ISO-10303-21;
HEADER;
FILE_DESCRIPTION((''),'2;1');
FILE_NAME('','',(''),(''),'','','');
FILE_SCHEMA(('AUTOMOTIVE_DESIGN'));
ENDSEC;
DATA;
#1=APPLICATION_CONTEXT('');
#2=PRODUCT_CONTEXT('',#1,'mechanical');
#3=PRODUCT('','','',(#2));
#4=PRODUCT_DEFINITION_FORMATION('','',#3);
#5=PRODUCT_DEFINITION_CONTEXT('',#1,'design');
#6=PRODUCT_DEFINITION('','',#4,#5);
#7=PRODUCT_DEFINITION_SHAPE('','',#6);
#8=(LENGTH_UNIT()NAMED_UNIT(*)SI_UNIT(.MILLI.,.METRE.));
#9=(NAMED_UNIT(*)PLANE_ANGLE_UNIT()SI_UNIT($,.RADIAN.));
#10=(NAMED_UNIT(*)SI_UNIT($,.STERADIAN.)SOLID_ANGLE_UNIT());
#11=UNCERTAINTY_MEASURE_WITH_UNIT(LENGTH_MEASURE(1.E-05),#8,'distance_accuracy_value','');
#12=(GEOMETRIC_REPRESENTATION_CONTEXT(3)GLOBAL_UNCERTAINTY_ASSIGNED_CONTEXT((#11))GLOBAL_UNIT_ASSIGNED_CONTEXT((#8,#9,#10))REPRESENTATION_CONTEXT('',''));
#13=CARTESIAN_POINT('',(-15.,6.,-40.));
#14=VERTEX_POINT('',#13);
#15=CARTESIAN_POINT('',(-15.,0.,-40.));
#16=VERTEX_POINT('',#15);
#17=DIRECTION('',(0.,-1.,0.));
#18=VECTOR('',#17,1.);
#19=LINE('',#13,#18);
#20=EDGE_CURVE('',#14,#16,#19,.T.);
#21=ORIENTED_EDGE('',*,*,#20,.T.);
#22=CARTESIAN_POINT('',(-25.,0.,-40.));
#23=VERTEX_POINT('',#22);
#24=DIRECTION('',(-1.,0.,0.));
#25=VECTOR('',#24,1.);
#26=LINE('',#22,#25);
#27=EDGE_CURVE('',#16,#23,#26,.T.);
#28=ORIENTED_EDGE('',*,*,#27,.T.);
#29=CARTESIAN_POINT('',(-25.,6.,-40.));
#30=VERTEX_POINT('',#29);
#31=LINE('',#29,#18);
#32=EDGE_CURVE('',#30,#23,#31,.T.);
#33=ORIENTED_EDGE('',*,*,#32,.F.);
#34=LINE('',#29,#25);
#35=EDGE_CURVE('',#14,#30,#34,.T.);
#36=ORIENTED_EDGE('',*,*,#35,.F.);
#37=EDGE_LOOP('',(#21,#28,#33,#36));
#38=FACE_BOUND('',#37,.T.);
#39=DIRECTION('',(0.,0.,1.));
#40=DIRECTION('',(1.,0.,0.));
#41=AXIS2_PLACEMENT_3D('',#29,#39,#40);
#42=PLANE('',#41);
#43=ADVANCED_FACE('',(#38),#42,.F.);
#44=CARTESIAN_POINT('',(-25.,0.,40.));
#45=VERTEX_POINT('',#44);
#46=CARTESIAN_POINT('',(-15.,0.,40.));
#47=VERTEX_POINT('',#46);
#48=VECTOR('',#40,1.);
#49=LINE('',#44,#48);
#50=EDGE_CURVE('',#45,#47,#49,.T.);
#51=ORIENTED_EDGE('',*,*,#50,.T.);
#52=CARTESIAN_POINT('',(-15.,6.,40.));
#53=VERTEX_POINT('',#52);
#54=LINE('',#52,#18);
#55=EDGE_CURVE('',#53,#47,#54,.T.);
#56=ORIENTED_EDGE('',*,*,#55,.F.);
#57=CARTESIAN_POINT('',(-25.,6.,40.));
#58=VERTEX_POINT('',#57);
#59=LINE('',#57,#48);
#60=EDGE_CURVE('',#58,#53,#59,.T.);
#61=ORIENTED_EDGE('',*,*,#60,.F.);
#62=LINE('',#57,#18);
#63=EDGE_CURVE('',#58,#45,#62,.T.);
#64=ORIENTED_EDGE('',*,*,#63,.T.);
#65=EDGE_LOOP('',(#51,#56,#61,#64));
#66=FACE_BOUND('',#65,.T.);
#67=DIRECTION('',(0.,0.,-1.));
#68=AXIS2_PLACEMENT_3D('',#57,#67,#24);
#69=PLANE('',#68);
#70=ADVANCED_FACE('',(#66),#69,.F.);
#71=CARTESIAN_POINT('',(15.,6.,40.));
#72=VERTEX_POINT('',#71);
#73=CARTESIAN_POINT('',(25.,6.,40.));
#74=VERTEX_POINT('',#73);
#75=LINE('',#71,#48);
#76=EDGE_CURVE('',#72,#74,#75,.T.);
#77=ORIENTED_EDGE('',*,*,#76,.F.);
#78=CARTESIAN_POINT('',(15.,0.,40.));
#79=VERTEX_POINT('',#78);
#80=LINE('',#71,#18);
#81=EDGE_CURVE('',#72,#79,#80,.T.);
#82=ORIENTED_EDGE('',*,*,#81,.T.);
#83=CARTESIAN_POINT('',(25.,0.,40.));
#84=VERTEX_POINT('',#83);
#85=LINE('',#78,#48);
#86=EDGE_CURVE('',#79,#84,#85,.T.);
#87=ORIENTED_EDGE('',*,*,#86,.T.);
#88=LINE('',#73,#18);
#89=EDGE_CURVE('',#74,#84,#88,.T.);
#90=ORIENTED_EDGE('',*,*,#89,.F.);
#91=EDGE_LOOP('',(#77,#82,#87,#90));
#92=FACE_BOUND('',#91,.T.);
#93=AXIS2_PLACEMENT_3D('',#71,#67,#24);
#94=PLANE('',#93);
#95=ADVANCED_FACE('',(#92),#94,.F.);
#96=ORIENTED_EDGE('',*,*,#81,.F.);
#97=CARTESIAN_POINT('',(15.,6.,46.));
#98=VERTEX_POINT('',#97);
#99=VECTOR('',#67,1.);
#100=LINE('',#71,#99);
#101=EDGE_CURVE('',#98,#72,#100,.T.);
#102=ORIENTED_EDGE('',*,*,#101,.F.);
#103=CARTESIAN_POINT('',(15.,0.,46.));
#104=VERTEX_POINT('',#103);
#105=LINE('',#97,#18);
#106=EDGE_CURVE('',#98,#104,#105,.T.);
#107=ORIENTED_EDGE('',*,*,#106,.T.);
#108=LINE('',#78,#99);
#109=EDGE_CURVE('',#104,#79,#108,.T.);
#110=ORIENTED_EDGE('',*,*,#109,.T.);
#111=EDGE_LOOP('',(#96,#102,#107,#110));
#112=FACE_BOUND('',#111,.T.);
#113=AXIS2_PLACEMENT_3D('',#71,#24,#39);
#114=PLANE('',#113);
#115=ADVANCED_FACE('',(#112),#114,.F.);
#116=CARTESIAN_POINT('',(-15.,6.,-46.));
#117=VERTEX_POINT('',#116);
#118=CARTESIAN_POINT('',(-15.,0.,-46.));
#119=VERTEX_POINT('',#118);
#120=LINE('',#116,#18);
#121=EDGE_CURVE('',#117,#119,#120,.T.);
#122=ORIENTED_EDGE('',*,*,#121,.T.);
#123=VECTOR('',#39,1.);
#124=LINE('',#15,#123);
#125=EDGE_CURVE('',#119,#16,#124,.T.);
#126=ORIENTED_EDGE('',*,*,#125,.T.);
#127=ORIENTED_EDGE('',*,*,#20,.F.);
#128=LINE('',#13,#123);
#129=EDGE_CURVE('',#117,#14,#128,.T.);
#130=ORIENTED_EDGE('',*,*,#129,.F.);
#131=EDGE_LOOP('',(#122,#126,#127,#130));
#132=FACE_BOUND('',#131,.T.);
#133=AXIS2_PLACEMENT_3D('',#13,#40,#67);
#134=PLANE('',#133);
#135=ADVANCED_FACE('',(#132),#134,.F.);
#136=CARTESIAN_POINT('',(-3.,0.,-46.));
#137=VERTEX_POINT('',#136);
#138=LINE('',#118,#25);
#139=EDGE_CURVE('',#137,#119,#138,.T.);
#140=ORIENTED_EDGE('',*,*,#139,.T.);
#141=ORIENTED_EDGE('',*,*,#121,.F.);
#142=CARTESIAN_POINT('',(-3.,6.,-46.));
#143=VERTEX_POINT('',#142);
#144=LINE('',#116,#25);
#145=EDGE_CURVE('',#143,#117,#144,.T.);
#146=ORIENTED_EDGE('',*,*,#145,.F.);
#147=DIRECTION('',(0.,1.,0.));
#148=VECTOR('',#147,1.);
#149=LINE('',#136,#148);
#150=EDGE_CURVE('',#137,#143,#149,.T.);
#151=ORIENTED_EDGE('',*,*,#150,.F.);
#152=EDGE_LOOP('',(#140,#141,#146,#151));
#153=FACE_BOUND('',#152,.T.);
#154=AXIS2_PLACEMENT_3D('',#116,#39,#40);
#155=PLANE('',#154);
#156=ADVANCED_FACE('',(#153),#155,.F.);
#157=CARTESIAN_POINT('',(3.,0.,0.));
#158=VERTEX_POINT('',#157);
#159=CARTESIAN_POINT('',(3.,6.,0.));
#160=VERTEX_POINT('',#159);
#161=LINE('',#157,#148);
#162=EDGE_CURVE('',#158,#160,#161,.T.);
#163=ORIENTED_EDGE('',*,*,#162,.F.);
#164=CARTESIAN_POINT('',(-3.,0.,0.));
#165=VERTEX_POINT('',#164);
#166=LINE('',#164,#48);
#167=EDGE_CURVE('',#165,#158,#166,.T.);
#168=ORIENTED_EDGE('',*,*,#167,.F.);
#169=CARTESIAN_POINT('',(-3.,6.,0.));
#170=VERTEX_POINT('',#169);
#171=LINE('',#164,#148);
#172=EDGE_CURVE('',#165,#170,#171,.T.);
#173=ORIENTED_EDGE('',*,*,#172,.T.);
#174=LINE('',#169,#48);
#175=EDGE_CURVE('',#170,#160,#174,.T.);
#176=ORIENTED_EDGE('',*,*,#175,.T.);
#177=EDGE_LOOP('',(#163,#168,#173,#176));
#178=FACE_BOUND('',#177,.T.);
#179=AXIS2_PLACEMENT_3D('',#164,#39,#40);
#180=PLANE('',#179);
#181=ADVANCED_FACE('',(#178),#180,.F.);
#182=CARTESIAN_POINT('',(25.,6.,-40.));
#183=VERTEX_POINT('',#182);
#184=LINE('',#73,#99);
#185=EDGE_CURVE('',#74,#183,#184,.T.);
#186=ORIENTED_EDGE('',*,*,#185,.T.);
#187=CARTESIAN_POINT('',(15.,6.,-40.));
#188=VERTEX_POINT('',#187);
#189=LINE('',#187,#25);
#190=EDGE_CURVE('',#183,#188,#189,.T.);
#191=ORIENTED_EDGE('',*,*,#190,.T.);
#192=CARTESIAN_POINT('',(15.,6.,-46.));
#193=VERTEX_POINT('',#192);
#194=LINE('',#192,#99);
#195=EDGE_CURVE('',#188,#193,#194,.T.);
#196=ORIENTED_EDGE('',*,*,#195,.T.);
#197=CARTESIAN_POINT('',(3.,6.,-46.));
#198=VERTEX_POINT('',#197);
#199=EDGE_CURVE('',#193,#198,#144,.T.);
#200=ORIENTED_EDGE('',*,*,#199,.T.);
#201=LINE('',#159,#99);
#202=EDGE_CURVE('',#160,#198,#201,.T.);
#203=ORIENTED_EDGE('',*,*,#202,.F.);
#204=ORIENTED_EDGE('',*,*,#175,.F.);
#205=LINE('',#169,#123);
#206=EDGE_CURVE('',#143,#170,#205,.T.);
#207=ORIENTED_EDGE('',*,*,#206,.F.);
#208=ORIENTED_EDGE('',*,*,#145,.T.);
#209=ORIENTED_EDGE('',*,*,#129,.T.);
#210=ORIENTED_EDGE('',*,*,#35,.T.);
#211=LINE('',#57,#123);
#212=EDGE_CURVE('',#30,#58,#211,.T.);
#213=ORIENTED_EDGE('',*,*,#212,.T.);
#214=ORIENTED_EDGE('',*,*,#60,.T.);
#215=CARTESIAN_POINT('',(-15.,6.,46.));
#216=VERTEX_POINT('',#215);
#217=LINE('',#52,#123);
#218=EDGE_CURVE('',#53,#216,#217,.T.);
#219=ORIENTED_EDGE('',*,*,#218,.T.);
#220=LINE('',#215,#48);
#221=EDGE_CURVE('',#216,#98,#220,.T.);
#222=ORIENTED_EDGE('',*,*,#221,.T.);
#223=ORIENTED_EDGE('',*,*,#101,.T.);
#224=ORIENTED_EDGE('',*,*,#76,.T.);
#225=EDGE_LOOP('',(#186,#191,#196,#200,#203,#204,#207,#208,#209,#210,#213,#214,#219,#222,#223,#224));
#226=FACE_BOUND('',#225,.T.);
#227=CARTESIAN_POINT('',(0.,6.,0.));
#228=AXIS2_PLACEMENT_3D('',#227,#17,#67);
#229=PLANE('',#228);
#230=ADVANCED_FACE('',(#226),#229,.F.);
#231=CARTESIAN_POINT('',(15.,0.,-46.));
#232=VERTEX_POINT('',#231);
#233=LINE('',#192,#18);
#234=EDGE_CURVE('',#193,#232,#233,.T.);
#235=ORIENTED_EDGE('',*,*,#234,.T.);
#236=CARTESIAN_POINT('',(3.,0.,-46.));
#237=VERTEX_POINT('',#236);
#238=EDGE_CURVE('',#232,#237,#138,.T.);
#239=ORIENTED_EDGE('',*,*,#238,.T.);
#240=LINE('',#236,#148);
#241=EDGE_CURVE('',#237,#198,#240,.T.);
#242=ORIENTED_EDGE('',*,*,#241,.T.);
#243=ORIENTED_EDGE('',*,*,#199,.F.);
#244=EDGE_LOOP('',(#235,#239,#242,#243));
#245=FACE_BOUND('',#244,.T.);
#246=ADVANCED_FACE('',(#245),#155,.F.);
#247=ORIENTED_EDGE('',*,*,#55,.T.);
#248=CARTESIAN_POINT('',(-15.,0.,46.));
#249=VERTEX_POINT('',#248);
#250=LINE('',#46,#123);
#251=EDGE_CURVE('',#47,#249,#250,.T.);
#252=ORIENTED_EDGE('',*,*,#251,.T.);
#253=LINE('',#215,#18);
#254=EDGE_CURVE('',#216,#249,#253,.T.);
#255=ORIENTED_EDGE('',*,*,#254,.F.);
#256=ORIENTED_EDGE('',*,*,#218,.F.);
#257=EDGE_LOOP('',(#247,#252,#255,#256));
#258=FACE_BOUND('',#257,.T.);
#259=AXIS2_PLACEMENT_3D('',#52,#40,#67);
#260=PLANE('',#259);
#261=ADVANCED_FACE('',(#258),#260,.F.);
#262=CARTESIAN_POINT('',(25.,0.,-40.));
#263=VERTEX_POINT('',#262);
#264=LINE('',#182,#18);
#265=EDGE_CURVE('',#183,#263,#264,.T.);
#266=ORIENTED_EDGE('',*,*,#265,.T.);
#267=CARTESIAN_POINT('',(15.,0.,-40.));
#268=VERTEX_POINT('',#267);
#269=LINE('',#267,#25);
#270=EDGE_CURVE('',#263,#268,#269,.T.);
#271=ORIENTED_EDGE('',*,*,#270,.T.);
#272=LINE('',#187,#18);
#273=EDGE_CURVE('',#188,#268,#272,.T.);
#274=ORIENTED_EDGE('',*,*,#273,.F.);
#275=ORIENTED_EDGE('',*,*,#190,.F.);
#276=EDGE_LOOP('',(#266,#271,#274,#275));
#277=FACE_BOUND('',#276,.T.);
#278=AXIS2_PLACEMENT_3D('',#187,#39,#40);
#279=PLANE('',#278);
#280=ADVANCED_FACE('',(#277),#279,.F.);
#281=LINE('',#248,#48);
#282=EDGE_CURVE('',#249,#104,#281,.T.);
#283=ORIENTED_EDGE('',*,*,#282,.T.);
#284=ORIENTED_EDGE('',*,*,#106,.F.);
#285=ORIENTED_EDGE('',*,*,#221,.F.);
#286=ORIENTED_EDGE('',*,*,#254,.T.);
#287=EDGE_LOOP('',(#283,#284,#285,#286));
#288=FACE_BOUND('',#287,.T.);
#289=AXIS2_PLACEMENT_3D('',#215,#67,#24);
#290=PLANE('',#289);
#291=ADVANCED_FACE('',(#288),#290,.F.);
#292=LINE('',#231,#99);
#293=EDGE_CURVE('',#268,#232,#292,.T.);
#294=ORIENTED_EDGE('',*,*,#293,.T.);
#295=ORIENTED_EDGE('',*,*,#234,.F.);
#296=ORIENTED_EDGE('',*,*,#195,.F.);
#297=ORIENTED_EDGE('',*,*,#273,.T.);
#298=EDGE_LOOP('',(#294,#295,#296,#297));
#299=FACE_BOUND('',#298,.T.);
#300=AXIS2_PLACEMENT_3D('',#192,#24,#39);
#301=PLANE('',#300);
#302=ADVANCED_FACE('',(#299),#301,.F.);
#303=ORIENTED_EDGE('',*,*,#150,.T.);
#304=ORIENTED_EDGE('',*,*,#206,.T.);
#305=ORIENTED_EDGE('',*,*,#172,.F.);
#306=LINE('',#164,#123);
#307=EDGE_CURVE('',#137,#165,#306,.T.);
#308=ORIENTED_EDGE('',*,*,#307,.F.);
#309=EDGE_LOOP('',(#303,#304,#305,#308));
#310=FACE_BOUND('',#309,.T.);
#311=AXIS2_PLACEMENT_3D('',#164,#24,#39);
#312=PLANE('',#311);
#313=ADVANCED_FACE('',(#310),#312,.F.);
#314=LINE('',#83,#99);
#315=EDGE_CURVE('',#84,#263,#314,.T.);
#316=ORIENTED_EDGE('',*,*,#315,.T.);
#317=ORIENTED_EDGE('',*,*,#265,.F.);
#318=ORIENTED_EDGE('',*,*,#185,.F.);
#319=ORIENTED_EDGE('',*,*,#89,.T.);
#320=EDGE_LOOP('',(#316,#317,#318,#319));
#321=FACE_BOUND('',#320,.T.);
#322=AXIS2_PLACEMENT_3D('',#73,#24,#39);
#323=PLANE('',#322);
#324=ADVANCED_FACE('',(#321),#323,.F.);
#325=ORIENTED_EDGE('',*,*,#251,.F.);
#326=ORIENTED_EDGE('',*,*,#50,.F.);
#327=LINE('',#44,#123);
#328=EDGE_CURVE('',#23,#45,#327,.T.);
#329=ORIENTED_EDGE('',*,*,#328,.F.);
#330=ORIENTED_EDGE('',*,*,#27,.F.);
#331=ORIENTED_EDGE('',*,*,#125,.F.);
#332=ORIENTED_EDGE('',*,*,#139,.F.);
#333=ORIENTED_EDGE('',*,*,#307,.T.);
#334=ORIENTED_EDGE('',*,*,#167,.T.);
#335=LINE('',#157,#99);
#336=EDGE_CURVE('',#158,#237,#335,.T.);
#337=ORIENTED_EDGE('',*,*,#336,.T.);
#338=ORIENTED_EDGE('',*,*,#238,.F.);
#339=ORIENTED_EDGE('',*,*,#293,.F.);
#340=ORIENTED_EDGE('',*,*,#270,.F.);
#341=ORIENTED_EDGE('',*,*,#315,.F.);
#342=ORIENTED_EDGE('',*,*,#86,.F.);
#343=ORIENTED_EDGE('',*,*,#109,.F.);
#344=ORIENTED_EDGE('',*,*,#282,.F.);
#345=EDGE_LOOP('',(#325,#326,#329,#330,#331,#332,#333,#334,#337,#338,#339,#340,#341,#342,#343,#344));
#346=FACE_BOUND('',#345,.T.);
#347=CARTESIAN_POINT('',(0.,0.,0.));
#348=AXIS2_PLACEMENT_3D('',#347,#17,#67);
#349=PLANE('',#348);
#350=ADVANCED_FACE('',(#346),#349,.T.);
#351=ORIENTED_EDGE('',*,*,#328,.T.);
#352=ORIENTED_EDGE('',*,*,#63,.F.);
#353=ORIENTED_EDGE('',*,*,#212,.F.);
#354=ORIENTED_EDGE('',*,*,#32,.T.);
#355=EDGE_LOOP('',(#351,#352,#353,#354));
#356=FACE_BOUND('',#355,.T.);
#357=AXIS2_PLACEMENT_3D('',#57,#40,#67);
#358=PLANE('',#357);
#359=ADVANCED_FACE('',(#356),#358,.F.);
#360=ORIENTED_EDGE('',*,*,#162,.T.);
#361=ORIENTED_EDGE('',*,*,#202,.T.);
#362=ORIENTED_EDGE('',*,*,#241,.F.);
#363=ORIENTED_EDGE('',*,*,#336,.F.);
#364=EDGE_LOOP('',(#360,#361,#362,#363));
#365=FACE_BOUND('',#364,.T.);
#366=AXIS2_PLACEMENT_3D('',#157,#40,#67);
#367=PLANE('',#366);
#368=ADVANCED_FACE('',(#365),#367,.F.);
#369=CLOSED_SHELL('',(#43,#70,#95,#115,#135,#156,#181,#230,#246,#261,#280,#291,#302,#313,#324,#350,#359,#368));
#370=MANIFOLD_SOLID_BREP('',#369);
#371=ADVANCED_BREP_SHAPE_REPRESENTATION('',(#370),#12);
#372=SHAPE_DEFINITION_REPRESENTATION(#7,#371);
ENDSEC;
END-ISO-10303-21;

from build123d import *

# Parameters (mm, degrees)
BOSS_EXTRUDE1_DEPTH = 6
SKETCH2_W           = 6
SKETCH2_H           = 46
CUT_EXTRUDE1_DEPTH  = 7


with BuildPart() as part:
    # Sketch1 → Boss-Extrude1 (new body)
    with BuildSketch(Plane(origin=(0, 0, 0), x_dir=(1, 0, 0), z_dir=(0, 1, 0))):
        Polygon((-25, 40), (-15, 40), (-15, 46), (15, 46), (15, 40), (25, 40), (25, -40), (15, -40), (15, -46), (-15, -46), (-15, -40), (-25, -40), align=None)
    extrude(amount=BOSS_EXTRUDE1_DEPTH)

    # Sketch2 → Cut-Extrude1 (cut, through all)
    with BuildSketch(Plane(origin=(0, 6, 0), x_dir=(1, 0, 0), z_dir=(0, 1, 0))):
        with Locations((0, 23)):
            Rectangle(SKETCH2_W, SKETCH2_H)
    extrude(amount=-CUT_EXTRUDE1_DEPTH, mode=Mode.SUBTRACT)


solid = part.part
